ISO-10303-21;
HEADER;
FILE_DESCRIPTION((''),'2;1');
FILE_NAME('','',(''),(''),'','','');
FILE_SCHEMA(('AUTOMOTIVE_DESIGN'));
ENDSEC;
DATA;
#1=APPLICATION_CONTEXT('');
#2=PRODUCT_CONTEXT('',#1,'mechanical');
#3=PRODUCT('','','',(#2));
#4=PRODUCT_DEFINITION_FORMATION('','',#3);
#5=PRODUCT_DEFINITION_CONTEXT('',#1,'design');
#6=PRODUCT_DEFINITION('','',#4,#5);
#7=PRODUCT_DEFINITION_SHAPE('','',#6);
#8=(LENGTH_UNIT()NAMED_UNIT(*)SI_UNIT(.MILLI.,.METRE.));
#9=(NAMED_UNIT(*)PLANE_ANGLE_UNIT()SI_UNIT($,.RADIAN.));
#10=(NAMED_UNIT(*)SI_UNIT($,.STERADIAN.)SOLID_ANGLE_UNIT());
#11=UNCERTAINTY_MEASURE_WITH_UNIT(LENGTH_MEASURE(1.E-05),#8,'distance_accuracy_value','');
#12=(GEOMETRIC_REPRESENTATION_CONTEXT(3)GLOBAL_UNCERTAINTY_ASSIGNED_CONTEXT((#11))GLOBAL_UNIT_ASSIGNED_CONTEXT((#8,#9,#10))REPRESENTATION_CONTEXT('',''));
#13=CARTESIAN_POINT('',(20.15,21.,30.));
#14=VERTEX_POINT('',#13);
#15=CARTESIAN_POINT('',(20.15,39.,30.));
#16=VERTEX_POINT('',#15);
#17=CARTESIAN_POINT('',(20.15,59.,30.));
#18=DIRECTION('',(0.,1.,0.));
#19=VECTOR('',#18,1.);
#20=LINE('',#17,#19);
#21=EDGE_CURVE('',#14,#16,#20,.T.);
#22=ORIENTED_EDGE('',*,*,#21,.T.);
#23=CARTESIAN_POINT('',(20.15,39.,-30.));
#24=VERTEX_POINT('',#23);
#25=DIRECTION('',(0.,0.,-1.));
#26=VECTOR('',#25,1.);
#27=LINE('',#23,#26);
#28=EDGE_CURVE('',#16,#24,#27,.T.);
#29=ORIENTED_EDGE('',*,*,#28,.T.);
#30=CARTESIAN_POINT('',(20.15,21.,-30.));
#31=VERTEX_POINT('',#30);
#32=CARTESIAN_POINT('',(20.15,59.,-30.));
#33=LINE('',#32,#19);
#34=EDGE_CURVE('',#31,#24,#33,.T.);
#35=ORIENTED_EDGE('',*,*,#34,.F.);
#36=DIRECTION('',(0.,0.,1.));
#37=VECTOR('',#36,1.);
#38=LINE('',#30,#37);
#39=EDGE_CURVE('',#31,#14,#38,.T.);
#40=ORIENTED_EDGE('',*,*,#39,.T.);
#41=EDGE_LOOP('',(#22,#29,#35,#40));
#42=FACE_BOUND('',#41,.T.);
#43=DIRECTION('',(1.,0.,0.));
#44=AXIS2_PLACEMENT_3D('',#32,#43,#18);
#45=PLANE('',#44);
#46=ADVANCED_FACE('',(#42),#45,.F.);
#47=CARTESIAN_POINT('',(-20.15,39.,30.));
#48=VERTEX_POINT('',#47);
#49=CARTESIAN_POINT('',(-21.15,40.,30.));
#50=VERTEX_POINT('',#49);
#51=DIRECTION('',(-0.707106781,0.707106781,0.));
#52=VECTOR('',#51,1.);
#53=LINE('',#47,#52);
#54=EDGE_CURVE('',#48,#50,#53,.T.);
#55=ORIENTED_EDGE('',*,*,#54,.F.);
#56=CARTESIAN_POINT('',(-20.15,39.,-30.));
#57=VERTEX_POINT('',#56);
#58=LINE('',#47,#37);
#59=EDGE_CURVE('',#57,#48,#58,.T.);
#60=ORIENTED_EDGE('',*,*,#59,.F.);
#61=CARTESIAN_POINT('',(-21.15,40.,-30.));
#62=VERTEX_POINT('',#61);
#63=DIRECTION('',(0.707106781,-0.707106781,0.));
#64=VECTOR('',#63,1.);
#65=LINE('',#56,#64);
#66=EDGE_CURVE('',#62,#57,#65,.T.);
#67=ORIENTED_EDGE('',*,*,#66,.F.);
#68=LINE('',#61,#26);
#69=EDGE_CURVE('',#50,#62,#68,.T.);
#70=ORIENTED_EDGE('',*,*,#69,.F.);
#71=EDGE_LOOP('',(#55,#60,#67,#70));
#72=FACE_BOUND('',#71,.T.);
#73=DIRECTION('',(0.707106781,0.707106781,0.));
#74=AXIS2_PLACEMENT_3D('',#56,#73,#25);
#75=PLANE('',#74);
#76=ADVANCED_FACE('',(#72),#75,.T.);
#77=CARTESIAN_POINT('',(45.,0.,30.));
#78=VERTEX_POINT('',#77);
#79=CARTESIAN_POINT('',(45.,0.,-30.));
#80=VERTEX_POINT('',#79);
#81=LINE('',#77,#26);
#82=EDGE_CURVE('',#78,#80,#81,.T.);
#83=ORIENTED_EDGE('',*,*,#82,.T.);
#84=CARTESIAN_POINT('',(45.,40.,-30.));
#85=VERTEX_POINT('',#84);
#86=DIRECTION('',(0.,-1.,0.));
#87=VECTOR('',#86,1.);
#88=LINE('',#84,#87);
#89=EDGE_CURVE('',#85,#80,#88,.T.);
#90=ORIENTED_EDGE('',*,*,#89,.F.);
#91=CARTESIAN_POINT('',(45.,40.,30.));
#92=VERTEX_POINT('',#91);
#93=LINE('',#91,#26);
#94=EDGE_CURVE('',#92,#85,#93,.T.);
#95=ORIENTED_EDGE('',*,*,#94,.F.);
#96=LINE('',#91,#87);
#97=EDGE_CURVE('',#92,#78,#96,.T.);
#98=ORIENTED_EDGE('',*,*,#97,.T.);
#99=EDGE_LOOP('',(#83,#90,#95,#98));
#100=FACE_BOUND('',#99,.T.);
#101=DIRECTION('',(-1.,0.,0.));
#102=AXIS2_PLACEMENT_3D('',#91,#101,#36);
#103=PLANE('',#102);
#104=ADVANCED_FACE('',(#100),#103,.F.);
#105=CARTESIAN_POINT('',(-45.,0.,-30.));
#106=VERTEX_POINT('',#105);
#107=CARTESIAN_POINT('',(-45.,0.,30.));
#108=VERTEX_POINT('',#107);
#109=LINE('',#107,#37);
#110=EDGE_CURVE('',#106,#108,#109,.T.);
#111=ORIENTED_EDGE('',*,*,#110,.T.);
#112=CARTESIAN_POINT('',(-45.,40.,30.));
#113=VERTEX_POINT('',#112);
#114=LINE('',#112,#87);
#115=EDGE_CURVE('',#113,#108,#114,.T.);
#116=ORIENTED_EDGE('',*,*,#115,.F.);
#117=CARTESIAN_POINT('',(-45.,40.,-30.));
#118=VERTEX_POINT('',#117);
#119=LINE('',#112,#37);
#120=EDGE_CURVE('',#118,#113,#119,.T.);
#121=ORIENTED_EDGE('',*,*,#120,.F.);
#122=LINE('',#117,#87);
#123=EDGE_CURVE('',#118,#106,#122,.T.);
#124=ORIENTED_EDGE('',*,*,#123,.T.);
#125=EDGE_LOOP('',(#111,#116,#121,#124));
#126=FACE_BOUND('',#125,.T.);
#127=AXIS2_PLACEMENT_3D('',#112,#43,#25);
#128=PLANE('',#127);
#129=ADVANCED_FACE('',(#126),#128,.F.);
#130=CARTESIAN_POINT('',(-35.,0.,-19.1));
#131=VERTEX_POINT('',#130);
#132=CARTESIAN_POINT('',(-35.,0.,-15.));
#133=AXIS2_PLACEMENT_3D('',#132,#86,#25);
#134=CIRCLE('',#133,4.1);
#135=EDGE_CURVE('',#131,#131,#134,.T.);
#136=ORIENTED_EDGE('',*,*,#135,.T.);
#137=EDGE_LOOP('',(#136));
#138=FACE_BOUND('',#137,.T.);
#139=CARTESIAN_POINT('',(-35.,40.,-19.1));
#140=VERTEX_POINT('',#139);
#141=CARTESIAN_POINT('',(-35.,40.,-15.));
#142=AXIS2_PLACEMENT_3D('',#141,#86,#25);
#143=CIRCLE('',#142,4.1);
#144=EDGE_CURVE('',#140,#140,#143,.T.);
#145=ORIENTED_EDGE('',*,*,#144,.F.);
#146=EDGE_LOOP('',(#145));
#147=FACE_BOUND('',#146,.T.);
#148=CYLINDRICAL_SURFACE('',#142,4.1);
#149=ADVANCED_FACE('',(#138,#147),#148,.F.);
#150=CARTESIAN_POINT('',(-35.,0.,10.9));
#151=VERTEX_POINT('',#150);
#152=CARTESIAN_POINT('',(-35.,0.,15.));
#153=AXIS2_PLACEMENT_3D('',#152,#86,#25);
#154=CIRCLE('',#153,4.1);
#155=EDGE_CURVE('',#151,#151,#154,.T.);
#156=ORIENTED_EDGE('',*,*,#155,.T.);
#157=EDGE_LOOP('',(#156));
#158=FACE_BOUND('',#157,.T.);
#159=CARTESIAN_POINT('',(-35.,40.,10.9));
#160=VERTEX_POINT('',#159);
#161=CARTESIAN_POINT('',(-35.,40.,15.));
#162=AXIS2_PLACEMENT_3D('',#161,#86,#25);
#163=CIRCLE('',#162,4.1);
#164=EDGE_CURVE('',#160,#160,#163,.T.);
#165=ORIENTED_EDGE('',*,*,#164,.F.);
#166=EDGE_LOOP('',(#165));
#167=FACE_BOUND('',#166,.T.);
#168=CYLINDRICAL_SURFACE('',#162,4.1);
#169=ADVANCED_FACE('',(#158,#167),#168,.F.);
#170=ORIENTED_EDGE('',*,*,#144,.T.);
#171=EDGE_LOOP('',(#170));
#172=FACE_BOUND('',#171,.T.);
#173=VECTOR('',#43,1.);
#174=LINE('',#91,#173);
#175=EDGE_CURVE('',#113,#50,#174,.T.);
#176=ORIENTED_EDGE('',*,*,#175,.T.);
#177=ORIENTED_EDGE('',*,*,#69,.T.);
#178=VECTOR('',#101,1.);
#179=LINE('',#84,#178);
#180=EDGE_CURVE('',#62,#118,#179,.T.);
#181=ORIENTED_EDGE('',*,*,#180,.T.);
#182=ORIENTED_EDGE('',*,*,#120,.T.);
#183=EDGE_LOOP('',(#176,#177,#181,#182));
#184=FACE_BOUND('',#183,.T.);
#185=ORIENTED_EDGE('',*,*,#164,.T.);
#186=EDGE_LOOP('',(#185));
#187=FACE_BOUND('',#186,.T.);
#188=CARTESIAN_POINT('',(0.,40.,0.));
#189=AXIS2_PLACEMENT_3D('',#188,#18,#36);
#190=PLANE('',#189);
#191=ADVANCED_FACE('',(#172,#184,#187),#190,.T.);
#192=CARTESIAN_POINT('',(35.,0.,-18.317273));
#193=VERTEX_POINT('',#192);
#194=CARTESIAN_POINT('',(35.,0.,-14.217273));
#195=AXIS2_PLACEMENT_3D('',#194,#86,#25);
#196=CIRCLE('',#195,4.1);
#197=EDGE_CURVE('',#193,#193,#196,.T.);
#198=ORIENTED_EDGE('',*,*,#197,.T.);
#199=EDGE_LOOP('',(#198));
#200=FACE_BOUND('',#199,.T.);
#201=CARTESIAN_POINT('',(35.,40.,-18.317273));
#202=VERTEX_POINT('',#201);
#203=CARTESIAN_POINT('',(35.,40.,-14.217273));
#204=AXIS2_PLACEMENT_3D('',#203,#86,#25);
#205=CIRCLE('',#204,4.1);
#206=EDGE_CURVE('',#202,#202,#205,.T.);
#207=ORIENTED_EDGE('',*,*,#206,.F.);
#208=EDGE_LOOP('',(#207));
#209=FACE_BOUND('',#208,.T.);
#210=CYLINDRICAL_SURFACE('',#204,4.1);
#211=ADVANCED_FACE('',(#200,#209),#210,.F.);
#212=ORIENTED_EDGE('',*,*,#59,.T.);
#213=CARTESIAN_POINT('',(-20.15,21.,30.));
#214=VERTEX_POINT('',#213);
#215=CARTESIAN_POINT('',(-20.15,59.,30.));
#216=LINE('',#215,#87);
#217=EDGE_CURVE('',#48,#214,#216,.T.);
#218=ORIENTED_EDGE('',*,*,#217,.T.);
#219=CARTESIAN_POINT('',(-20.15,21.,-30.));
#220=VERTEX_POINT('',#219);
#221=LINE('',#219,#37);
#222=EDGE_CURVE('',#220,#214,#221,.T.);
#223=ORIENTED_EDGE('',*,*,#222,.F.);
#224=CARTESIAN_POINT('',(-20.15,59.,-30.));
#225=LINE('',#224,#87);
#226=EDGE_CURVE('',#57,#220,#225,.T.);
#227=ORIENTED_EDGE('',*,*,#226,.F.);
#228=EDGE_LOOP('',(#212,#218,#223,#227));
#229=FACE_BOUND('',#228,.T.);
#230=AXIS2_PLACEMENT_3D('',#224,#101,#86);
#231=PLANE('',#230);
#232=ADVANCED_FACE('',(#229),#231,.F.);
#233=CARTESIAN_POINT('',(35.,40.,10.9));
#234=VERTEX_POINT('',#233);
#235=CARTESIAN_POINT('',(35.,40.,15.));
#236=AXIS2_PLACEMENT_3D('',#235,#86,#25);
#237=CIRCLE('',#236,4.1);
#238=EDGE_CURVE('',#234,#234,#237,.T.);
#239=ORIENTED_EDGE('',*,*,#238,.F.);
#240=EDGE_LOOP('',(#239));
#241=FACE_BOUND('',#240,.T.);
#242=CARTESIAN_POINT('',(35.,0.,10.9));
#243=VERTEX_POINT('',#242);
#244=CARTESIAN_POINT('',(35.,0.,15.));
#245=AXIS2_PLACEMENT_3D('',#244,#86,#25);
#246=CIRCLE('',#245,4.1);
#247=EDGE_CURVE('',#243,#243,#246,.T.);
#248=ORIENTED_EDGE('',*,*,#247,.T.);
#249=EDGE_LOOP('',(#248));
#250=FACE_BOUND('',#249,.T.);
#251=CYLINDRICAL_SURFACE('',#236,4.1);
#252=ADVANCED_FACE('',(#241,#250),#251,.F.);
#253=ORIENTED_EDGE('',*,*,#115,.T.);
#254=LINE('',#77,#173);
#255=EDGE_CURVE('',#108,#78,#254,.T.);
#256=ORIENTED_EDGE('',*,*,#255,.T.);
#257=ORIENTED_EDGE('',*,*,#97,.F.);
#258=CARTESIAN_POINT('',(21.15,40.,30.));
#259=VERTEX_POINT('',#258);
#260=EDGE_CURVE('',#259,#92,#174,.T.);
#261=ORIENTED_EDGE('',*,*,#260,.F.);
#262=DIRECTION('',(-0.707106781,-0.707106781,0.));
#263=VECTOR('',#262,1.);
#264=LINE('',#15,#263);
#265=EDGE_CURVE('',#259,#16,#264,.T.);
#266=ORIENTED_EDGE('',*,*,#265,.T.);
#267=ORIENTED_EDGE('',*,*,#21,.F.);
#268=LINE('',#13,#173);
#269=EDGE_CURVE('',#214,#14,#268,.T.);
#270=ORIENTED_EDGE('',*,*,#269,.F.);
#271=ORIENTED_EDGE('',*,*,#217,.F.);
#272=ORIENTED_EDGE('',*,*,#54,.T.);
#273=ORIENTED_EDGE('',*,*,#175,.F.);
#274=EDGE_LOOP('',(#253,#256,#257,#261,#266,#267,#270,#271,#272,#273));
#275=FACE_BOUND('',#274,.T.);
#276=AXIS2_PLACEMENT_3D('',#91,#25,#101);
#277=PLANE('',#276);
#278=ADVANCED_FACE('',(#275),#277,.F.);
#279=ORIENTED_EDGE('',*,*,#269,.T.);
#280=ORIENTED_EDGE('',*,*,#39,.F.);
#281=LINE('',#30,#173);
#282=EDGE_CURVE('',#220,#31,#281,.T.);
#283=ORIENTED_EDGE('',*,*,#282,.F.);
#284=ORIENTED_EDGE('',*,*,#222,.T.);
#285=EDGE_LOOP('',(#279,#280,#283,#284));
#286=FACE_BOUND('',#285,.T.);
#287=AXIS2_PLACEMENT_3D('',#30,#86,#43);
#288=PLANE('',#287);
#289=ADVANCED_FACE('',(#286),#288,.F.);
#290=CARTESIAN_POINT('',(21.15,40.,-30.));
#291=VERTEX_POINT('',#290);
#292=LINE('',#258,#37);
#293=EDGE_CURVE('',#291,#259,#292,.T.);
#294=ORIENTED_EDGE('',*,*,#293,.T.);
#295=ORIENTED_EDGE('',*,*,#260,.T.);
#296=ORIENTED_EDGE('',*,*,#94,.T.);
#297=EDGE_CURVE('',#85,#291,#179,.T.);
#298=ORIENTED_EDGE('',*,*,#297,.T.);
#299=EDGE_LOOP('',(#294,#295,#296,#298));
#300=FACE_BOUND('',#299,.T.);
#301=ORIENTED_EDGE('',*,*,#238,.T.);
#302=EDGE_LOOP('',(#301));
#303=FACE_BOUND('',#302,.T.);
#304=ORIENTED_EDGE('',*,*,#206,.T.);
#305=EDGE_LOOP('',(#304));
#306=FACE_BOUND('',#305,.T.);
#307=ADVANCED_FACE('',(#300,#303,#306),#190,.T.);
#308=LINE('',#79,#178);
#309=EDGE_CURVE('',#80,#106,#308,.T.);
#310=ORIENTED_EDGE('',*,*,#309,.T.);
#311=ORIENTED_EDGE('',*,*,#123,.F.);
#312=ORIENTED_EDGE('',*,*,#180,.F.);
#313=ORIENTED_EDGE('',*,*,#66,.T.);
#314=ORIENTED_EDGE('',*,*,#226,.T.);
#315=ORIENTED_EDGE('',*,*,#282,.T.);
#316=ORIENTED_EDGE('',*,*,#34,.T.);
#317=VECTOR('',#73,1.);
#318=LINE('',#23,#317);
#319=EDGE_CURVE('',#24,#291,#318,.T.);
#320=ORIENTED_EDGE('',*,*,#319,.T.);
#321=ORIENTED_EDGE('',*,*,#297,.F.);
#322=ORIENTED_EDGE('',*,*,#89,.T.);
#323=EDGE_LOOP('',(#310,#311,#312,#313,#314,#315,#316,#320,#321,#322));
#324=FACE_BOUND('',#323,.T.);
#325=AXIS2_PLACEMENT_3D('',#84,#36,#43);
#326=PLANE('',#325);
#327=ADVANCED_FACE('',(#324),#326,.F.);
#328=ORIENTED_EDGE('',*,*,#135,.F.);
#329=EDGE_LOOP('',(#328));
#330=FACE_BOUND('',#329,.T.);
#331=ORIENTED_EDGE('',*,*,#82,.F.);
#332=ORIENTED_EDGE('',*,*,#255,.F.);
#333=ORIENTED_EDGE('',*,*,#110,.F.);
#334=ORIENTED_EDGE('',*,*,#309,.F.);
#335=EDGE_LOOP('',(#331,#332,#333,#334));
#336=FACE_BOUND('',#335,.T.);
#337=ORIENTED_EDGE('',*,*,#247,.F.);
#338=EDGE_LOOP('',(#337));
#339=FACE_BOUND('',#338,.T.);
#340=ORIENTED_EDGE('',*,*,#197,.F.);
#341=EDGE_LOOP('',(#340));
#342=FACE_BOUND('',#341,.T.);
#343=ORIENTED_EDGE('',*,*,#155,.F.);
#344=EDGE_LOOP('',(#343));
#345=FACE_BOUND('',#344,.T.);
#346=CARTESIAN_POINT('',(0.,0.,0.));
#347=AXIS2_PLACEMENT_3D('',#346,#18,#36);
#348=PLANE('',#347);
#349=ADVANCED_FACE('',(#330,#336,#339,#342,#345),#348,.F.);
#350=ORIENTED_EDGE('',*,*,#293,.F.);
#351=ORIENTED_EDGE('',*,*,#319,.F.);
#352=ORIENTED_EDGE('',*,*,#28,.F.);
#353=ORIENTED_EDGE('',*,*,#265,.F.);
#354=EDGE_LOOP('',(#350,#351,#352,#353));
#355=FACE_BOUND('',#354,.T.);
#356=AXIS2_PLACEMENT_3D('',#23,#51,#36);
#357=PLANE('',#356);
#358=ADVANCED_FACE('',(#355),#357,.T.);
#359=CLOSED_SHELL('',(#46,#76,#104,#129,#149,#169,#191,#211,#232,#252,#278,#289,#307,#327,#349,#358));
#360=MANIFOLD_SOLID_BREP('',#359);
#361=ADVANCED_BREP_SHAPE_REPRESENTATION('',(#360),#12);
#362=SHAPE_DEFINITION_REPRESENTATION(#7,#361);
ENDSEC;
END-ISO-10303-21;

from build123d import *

# Parameters (mm, degrees)
SKETCH1_W           = 90
SKETCH1_H           = 60
BOSS_EXTRUDE1_DEPTH = 40
SKETCH2_W           = 40.3
SKETCH2_H           = 38
CUT_EXTRUDE1_DEPTH  = 61
SKETCH3_R           = 4.1
CUT_EXTRUDE2_DEPTH  = 41
CHAMFER1_SIZE       = 1


with BuildPart() as part:
    # Sketch1 → Boss-Extrude1 (new body)
    with BuildSketch(Plane(origin=(0, 0, 0), x_dir=(1, 0, 0), z_dir=(0, 1, 0))):
        Rectangle(SKETCH1_W, SKETCH1_H)
    extrude(amount=BOSS_EXTRUDE1_DEPTH)

    # Sketch2 → Cut-Extrude1 (cut, through all)
    with BuildSketch(Plane.XY.offset(30)):
        with Locations((0, 40)):
            Rectangle(SKETCH2_W, SKETCH2_H)
    extrude(amount=-CUT_EXTRUDE1_DEPTH, mode=Mode.SUBTRACT)

    # Sketch3 → Cut-Extrude2 (cut, through all)
    with BuildSketch(Plane.XZ):
        with Locations((-35, 15)):
            Circle(SKETCH3_R)
        with Locations((-35, -15)):
            Circle(SKETCH3_R)
        with Locations((35, -14.217273236)):
            Circle(SKETCH3_R)
        with Locations((35, 15)):
            Circle(SKETCH3_R)
    extrude(amount=-CUT_EXTRUDE2_DEPTH, mode=Mode.SUBTRACT)

    # Chamfer1
    chamfer1_edges = [part.edges().sort_by_distance(p)[0] for p in [
        (20.15, 40, 0),
        (-20.15, 40, 0),
    ]]
    chamfer(chamfer1_edges, length=CHAMFER1_SIZE)


solid = part.part
